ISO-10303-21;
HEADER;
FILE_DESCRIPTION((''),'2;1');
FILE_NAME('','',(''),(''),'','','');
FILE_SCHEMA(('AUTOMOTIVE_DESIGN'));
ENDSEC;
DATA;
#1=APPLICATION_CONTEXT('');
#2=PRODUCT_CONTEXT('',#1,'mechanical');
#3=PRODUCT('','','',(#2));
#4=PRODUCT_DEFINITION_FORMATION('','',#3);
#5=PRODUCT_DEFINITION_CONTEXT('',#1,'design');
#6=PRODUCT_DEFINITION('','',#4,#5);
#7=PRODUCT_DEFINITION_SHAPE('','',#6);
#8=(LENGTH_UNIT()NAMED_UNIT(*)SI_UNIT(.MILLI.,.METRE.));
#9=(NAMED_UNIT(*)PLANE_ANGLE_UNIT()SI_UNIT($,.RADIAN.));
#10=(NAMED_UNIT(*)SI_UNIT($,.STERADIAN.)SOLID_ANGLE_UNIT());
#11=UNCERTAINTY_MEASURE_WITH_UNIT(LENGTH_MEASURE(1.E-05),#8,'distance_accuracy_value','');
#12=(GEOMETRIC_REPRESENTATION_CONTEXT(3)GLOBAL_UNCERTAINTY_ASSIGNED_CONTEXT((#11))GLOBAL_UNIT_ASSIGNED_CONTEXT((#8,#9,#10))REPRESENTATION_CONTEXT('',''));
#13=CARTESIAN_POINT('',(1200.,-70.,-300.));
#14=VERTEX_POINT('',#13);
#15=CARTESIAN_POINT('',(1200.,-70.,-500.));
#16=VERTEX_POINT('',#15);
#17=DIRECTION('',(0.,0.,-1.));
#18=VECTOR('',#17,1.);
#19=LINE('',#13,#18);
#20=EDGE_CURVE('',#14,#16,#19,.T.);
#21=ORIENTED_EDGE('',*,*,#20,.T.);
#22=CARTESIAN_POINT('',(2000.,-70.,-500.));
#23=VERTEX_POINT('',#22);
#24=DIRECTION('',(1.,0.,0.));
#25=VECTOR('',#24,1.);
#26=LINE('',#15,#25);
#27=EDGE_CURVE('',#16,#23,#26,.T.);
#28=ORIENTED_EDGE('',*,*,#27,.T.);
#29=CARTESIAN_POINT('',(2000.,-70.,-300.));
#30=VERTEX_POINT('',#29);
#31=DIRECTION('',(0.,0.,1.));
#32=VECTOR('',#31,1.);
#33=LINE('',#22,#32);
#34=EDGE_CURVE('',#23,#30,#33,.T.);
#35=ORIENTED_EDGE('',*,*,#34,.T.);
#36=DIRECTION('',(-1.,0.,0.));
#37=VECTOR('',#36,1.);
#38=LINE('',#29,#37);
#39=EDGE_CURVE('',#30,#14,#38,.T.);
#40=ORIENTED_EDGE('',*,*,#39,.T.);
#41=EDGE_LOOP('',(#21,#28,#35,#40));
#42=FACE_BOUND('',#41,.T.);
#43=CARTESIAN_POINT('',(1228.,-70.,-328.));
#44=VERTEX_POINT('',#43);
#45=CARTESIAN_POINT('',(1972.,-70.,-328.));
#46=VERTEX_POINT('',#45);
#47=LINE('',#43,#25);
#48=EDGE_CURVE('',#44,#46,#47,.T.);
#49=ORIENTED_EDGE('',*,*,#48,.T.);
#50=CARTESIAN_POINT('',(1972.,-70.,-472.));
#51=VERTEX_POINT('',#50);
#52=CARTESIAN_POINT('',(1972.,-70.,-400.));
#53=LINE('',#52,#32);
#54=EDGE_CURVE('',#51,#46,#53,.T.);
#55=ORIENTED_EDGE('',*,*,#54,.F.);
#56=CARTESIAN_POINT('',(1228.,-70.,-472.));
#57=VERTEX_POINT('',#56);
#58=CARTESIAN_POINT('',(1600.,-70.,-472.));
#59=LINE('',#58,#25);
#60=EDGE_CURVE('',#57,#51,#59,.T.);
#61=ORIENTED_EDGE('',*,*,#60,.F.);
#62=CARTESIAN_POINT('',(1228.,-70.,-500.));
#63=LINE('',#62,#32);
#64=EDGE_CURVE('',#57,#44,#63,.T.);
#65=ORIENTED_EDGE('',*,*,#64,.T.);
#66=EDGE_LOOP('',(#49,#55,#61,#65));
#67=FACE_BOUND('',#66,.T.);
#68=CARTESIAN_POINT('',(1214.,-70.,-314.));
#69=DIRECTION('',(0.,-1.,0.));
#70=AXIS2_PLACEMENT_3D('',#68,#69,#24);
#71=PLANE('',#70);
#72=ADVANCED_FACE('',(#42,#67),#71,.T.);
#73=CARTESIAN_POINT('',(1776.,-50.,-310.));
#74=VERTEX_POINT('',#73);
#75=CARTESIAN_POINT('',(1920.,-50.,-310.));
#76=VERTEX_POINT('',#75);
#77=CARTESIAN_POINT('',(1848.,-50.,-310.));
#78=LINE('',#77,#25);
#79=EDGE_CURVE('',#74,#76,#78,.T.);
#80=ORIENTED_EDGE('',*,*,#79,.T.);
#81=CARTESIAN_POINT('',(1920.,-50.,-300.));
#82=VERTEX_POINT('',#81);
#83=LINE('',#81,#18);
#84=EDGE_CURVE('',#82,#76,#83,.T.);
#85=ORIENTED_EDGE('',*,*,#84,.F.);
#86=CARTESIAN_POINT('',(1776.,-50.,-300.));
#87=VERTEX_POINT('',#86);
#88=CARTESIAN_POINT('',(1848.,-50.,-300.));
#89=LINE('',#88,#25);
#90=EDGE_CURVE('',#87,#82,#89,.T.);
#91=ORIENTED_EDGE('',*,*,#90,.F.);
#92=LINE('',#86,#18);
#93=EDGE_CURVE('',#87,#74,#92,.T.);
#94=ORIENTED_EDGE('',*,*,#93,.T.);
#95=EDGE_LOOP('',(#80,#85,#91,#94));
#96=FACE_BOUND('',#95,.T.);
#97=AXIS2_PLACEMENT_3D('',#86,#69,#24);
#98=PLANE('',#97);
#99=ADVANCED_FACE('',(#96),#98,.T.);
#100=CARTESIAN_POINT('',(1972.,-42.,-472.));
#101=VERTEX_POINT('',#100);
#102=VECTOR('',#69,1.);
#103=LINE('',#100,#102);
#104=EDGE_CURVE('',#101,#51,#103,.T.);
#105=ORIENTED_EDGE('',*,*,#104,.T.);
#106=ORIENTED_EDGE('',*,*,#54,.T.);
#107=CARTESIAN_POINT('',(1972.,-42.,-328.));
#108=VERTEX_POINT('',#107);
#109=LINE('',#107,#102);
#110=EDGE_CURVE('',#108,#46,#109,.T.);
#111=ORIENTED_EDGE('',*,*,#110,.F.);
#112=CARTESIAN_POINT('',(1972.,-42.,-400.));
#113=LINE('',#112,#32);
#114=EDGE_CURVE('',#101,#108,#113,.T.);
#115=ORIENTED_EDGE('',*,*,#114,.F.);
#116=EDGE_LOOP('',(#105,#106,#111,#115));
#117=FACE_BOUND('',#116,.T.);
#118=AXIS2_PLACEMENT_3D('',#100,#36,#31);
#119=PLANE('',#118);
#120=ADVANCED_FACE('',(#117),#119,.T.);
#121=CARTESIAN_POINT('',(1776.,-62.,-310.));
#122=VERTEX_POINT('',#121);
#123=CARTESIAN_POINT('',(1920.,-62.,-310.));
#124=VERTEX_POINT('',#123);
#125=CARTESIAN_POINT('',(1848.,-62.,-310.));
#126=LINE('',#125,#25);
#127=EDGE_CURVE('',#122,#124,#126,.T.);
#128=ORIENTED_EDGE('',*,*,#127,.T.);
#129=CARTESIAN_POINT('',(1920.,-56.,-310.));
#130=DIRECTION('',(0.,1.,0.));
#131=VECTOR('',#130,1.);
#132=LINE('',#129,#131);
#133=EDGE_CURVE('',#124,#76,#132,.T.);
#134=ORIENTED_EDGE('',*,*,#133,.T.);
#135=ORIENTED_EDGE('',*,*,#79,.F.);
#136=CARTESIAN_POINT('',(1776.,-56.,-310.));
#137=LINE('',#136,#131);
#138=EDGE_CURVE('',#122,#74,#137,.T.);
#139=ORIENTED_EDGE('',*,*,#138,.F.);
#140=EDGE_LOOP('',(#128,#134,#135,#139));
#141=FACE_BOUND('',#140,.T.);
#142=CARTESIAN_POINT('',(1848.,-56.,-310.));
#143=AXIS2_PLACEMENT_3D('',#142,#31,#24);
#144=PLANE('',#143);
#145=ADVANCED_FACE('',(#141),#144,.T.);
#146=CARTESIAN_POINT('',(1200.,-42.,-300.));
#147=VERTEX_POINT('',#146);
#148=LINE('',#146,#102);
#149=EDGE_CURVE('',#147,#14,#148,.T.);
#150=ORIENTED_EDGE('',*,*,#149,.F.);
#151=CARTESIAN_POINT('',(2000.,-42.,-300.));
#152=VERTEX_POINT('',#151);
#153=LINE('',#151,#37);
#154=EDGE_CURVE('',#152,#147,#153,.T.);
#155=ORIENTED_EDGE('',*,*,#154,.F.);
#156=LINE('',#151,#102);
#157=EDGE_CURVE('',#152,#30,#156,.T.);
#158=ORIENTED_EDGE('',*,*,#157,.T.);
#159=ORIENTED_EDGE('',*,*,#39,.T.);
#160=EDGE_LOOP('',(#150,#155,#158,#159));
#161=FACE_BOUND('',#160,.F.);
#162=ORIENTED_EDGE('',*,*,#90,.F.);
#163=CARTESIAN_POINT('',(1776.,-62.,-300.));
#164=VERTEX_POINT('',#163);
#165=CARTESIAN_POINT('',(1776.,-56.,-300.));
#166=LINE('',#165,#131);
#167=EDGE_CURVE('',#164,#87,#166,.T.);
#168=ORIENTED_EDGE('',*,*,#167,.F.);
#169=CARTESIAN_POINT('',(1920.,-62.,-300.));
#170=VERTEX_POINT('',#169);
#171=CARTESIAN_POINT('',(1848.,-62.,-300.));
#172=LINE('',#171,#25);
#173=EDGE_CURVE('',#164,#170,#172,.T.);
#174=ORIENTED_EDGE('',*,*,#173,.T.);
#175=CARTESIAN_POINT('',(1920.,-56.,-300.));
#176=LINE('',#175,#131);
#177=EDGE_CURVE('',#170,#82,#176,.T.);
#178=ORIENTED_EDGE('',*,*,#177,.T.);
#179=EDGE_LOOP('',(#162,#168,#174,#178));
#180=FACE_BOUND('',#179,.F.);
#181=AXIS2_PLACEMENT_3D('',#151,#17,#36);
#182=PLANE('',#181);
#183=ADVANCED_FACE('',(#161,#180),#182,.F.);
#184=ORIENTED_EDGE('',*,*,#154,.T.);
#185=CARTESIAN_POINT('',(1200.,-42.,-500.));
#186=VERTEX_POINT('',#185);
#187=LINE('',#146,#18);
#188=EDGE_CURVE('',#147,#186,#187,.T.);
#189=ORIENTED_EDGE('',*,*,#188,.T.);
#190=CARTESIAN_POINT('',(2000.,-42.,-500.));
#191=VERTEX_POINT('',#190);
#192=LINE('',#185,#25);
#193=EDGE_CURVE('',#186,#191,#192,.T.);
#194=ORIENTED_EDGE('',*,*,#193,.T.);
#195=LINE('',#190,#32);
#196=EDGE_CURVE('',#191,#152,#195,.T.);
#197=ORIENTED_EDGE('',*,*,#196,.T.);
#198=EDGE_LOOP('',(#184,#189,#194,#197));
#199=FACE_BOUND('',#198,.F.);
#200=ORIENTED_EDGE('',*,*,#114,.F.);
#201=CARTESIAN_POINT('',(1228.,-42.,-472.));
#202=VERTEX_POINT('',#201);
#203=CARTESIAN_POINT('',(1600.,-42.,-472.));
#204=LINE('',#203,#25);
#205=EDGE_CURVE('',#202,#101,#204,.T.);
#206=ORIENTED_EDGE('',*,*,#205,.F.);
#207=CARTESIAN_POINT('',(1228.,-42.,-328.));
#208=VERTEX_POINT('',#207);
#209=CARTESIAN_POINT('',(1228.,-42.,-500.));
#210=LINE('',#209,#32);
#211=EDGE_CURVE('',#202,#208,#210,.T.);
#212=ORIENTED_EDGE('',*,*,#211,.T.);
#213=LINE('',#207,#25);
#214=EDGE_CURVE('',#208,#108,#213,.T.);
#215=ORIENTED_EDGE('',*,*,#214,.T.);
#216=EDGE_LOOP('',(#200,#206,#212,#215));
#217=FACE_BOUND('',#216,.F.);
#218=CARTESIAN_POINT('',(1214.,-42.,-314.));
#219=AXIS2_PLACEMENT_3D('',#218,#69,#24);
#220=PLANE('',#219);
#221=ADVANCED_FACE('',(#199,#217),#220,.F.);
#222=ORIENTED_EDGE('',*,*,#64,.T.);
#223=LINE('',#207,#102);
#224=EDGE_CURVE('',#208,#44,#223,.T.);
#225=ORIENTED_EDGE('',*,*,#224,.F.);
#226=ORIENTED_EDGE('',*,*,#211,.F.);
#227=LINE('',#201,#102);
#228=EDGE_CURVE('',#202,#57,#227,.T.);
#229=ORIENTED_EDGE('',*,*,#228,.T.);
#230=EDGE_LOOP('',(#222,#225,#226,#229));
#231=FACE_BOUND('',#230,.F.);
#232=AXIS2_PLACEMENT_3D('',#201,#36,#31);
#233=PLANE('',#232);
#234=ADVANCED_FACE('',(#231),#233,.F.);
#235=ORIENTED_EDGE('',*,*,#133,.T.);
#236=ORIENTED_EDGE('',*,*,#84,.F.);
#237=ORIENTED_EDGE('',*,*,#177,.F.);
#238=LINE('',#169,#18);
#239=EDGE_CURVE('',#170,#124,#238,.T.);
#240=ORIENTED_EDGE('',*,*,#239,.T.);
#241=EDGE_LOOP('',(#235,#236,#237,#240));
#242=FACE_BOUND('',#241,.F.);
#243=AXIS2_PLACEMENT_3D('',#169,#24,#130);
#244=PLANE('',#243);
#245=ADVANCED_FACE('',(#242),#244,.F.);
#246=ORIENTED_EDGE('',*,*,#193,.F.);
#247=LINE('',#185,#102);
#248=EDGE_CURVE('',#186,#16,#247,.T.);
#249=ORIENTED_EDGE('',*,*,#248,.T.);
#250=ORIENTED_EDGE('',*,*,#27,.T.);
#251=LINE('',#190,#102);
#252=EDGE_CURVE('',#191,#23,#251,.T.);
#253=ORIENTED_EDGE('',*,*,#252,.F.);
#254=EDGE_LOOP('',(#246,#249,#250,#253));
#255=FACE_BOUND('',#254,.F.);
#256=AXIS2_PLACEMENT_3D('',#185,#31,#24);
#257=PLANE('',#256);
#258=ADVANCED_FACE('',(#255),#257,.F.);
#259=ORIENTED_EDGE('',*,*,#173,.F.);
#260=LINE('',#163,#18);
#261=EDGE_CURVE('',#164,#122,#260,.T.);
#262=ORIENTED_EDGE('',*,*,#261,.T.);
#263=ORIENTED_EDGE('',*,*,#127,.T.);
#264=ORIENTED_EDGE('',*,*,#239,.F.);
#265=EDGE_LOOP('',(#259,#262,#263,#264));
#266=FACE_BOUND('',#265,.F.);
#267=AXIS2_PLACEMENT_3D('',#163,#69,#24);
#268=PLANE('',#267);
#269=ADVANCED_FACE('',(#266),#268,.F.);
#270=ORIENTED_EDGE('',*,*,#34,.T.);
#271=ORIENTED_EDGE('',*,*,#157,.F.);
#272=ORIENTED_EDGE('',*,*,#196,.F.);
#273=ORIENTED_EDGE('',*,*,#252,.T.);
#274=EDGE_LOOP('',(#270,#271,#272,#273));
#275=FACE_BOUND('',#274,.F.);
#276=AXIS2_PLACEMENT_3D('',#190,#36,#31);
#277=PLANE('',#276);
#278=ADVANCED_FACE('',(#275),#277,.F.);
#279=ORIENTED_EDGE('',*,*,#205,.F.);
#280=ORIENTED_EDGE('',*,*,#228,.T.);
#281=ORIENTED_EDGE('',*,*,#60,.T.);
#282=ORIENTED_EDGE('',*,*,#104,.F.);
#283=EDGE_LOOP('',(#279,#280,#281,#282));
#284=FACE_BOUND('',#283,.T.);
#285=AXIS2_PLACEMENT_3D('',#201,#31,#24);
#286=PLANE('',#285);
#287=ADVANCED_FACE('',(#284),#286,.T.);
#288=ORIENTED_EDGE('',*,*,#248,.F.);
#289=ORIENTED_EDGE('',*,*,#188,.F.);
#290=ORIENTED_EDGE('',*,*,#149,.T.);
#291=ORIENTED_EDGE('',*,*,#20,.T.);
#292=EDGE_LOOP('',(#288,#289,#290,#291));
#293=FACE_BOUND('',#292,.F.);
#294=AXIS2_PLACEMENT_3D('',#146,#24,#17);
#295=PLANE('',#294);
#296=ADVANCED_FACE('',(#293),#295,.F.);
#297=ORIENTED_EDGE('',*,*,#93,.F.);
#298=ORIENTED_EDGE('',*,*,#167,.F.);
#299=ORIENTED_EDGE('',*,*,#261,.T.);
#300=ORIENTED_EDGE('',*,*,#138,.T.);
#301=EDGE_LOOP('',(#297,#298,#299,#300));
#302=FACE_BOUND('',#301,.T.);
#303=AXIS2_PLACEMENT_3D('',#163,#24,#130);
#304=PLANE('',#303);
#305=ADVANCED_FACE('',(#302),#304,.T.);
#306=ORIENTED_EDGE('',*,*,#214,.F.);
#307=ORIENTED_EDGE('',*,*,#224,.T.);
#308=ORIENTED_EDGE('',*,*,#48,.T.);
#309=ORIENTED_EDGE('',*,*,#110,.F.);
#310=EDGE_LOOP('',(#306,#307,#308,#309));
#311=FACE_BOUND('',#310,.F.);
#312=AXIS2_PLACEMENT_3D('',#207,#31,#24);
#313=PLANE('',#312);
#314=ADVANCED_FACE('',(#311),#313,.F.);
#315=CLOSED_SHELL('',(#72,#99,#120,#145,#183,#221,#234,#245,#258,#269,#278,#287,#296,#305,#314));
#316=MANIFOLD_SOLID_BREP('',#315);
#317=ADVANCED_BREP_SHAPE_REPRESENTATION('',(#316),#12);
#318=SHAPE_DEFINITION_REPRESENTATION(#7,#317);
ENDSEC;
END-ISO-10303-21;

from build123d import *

# Parameters (mm, degrees)
F0_W          = 70
F0_H          = 70
F0_W_2        = 1860
F0_H_2        = 360
F1_DEPTH      = 70
F2_W          = 360
F2_H          = 30
F3_DEPTH      = 25
F3_DEPTH_BACK = 25
F4_SCALE      = 0.4


with BuildPart() as f1:
    # F0 (on Front) → F1 (new body)
    with BuildSketch(Plane.XZ):
        with Locations((35, -35)):
            Rectangle(F0_W, F0_H)
        with Locations((1000, -35)):
            Rectangle(F0_W_2, F0_H)
        with Locations((35, -250)):
            Rectangle(F0_W, F0_H_2)
        with Locations((1965, -35)):
            Rectangle(F0_W, F0_H)
        with Locations((35, -465)):
            Rectangle(F0_W, F0_H)
        with Locations((1965, -250)):
            Rectangle(F0_W, F0_H_2)
        with Locations((1000, -465)):
            Rectangle(F0_W_2, F0_H)
        with Locations((1965, -465)):
            Rectangle(F0_W, F0_H)
    extrude(amount=F1_DEPTH)

    # F2 (on face) → F3 (cut, two sides)
    with BuildSketch(Plane.XY) as f3_sk:
        with Locations((1620, -35)):
            Rectangle(F2_W, F2_H)
    extrude(amount=F3_DEPTH, mode=Mode.SUBTRACT)
    extrude(f3_sk.sketch, amount=-F3_DEPTH_BACK, mode=Mode.SUBTRACT)


with BuildPart() as f1_1:
    # F4: moved
    add(f1.part.scale(F4_SCALE).moved(Location((1200, -42, -300))))


solid = f1_1.part
